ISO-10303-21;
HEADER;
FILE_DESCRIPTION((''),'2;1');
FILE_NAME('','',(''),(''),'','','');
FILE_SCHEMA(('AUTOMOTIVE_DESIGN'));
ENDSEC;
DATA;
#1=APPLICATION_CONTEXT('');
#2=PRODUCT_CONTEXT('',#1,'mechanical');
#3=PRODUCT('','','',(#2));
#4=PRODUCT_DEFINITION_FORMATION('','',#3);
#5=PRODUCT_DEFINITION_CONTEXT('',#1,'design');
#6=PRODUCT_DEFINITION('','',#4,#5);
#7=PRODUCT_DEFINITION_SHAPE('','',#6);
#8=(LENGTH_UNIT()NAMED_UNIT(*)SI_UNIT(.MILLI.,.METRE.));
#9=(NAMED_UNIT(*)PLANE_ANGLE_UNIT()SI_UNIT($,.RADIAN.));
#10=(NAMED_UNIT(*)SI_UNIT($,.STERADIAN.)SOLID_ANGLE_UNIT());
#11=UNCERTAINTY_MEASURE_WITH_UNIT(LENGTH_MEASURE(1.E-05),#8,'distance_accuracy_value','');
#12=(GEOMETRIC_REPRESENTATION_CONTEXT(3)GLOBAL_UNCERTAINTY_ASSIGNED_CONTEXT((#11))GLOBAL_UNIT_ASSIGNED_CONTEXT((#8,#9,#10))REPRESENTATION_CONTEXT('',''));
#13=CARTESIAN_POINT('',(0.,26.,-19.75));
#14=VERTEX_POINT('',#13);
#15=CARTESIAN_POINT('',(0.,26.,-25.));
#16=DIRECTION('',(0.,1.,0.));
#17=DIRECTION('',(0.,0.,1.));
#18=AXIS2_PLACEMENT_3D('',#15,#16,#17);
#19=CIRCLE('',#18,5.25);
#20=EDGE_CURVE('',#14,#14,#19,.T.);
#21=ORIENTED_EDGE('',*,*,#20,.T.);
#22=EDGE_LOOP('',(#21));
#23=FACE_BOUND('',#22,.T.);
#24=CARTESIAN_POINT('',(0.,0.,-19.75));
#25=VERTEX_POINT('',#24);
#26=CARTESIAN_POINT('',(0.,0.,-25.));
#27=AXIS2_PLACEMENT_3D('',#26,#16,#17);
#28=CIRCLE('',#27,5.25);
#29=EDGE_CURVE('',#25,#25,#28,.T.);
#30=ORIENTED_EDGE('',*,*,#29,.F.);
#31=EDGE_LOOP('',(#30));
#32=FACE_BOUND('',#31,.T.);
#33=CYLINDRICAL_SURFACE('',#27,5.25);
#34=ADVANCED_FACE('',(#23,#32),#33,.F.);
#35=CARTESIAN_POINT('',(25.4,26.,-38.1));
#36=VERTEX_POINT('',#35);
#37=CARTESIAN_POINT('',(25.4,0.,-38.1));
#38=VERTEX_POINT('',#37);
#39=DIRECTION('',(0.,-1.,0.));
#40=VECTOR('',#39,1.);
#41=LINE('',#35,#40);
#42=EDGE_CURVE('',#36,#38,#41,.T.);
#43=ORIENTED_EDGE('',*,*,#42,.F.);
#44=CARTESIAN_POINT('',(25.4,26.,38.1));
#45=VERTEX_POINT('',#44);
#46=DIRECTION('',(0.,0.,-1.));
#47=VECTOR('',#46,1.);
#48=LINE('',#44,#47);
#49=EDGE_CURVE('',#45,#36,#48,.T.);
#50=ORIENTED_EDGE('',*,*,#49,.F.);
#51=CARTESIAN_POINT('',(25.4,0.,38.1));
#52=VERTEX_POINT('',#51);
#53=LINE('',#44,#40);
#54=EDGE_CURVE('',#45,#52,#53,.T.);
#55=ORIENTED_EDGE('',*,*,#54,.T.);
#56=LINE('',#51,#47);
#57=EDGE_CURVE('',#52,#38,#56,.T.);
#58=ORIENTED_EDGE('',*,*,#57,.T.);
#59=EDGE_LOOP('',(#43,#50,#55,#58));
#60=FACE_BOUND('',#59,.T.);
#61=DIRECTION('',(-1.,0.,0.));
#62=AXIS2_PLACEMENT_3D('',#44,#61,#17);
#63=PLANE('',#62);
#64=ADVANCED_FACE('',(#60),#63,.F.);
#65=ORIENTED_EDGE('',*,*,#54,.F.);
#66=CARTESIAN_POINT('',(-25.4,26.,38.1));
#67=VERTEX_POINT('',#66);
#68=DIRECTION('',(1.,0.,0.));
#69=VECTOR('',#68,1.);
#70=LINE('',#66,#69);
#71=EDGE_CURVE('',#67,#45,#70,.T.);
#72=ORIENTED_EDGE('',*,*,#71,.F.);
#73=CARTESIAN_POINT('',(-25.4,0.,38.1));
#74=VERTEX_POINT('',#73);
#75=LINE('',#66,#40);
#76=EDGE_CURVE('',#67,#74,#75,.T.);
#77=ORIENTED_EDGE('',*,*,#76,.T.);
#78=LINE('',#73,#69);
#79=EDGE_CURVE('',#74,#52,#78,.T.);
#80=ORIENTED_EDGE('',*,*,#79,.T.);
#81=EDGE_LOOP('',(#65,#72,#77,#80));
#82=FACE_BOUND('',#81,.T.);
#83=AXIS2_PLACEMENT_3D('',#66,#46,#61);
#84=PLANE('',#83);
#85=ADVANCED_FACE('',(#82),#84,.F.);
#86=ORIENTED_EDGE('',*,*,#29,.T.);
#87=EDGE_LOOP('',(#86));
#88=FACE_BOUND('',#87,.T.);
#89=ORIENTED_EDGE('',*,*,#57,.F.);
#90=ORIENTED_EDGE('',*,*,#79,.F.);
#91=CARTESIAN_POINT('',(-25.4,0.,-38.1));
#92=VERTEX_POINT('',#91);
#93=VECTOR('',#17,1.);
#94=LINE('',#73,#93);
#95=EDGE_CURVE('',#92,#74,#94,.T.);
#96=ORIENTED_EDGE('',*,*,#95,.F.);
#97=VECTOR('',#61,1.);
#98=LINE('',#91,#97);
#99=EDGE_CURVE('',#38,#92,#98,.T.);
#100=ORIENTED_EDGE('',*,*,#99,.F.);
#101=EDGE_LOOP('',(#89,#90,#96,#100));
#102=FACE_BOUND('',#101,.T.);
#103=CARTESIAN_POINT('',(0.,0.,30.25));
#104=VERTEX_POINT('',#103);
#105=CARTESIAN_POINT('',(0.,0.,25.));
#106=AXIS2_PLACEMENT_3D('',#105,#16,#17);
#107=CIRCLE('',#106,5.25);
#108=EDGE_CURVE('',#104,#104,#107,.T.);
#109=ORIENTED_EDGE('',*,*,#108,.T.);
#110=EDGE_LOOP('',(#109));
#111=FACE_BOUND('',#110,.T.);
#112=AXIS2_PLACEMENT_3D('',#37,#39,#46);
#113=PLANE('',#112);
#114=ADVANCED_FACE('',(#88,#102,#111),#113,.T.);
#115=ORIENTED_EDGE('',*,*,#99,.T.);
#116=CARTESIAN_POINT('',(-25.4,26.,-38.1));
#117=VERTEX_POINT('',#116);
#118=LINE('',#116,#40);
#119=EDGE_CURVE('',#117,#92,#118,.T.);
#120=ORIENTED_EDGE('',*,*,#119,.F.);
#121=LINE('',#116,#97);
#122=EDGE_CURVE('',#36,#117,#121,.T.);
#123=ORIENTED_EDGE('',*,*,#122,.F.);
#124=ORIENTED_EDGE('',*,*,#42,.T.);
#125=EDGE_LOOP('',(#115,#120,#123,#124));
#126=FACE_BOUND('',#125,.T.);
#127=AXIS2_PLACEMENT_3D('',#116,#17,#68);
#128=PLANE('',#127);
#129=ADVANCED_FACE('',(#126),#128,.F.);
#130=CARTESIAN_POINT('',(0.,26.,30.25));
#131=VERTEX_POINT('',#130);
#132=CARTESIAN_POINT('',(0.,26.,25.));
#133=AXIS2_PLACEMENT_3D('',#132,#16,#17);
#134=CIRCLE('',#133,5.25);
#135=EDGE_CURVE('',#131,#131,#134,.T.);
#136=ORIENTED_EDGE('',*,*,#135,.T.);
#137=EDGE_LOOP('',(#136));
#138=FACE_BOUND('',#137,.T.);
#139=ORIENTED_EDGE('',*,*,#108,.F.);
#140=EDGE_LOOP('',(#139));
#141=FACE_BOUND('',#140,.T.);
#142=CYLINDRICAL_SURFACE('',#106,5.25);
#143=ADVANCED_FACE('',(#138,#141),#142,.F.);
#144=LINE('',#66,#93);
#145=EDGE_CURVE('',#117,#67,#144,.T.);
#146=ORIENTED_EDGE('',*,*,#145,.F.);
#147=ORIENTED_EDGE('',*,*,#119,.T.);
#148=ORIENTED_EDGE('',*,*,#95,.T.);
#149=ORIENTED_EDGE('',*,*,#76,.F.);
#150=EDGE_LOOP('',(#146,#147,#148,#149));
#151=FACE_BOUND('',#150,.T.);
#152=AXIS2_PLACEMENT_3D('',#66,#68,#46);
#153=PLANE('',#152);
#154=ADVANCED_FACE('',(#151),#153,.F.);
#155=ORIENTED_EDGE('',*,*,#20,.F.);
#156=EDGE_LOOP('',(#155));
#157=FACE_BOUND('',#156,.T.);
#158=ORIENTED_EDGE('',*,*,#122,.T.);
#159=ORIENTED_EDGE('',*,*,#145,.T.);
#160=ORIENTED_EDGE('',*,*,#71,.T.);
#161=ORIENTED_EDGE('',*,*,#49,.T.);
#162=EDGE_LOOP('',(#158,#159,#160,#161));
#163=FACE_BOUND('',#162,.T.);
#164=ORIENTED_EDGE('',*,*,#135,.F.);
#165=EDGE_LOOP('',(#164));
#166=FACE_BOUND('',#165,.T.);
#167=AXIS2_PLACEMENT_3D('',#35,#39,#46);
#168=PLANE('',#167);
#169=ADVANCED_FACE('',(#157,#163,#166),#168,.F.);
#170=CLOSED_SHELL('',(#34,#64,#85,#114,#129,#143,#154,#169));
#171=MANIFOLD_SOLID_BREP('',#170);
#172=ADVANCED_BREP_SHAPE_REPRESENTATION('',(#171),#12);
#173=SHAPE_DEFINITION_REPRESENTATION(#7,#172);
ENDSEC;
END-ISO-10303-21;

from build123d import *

# Parameters (mm, degrees)
SKETCH1_W           = 50.8
SKETCH1_H           = 76.2
BOSS_EXTRUDE1_DEPTH = 26
SKETCH2_R           = 5.25
CUT_EXTRUDE2_DEPTH  = 27


with BuildPart() as part:
    # Sketch1 → Boss-Extrude1 (new body)
    with BuildSketch(Plane(origin=(0, 0, 0), x_dir=(1, 0, 0), z_dir=(0, 1, 0))):
        Rectangle(SKETCH1_W, SKETCH1_H)
    extrude(amount=BOSS_EXTRUDE1_DEPTH)

    # Sketch2 → Cut-Extrude2 (cut, through all)
    with BuildSketch(Plane(origin=(0, 26, 0), x_dir=(1, 0, 0), z_dir=(0, 1, 0))):
        with Locations((0, 25)):
            Circle(SKETCH2_R)
        with Locations((0, -25)):
            Circle(SKETCH2_R)
    extrude(amount=-CUT_EXTRUDE2_DEPTH, mode=Mode.SUBTRACT)


solid = part.part
